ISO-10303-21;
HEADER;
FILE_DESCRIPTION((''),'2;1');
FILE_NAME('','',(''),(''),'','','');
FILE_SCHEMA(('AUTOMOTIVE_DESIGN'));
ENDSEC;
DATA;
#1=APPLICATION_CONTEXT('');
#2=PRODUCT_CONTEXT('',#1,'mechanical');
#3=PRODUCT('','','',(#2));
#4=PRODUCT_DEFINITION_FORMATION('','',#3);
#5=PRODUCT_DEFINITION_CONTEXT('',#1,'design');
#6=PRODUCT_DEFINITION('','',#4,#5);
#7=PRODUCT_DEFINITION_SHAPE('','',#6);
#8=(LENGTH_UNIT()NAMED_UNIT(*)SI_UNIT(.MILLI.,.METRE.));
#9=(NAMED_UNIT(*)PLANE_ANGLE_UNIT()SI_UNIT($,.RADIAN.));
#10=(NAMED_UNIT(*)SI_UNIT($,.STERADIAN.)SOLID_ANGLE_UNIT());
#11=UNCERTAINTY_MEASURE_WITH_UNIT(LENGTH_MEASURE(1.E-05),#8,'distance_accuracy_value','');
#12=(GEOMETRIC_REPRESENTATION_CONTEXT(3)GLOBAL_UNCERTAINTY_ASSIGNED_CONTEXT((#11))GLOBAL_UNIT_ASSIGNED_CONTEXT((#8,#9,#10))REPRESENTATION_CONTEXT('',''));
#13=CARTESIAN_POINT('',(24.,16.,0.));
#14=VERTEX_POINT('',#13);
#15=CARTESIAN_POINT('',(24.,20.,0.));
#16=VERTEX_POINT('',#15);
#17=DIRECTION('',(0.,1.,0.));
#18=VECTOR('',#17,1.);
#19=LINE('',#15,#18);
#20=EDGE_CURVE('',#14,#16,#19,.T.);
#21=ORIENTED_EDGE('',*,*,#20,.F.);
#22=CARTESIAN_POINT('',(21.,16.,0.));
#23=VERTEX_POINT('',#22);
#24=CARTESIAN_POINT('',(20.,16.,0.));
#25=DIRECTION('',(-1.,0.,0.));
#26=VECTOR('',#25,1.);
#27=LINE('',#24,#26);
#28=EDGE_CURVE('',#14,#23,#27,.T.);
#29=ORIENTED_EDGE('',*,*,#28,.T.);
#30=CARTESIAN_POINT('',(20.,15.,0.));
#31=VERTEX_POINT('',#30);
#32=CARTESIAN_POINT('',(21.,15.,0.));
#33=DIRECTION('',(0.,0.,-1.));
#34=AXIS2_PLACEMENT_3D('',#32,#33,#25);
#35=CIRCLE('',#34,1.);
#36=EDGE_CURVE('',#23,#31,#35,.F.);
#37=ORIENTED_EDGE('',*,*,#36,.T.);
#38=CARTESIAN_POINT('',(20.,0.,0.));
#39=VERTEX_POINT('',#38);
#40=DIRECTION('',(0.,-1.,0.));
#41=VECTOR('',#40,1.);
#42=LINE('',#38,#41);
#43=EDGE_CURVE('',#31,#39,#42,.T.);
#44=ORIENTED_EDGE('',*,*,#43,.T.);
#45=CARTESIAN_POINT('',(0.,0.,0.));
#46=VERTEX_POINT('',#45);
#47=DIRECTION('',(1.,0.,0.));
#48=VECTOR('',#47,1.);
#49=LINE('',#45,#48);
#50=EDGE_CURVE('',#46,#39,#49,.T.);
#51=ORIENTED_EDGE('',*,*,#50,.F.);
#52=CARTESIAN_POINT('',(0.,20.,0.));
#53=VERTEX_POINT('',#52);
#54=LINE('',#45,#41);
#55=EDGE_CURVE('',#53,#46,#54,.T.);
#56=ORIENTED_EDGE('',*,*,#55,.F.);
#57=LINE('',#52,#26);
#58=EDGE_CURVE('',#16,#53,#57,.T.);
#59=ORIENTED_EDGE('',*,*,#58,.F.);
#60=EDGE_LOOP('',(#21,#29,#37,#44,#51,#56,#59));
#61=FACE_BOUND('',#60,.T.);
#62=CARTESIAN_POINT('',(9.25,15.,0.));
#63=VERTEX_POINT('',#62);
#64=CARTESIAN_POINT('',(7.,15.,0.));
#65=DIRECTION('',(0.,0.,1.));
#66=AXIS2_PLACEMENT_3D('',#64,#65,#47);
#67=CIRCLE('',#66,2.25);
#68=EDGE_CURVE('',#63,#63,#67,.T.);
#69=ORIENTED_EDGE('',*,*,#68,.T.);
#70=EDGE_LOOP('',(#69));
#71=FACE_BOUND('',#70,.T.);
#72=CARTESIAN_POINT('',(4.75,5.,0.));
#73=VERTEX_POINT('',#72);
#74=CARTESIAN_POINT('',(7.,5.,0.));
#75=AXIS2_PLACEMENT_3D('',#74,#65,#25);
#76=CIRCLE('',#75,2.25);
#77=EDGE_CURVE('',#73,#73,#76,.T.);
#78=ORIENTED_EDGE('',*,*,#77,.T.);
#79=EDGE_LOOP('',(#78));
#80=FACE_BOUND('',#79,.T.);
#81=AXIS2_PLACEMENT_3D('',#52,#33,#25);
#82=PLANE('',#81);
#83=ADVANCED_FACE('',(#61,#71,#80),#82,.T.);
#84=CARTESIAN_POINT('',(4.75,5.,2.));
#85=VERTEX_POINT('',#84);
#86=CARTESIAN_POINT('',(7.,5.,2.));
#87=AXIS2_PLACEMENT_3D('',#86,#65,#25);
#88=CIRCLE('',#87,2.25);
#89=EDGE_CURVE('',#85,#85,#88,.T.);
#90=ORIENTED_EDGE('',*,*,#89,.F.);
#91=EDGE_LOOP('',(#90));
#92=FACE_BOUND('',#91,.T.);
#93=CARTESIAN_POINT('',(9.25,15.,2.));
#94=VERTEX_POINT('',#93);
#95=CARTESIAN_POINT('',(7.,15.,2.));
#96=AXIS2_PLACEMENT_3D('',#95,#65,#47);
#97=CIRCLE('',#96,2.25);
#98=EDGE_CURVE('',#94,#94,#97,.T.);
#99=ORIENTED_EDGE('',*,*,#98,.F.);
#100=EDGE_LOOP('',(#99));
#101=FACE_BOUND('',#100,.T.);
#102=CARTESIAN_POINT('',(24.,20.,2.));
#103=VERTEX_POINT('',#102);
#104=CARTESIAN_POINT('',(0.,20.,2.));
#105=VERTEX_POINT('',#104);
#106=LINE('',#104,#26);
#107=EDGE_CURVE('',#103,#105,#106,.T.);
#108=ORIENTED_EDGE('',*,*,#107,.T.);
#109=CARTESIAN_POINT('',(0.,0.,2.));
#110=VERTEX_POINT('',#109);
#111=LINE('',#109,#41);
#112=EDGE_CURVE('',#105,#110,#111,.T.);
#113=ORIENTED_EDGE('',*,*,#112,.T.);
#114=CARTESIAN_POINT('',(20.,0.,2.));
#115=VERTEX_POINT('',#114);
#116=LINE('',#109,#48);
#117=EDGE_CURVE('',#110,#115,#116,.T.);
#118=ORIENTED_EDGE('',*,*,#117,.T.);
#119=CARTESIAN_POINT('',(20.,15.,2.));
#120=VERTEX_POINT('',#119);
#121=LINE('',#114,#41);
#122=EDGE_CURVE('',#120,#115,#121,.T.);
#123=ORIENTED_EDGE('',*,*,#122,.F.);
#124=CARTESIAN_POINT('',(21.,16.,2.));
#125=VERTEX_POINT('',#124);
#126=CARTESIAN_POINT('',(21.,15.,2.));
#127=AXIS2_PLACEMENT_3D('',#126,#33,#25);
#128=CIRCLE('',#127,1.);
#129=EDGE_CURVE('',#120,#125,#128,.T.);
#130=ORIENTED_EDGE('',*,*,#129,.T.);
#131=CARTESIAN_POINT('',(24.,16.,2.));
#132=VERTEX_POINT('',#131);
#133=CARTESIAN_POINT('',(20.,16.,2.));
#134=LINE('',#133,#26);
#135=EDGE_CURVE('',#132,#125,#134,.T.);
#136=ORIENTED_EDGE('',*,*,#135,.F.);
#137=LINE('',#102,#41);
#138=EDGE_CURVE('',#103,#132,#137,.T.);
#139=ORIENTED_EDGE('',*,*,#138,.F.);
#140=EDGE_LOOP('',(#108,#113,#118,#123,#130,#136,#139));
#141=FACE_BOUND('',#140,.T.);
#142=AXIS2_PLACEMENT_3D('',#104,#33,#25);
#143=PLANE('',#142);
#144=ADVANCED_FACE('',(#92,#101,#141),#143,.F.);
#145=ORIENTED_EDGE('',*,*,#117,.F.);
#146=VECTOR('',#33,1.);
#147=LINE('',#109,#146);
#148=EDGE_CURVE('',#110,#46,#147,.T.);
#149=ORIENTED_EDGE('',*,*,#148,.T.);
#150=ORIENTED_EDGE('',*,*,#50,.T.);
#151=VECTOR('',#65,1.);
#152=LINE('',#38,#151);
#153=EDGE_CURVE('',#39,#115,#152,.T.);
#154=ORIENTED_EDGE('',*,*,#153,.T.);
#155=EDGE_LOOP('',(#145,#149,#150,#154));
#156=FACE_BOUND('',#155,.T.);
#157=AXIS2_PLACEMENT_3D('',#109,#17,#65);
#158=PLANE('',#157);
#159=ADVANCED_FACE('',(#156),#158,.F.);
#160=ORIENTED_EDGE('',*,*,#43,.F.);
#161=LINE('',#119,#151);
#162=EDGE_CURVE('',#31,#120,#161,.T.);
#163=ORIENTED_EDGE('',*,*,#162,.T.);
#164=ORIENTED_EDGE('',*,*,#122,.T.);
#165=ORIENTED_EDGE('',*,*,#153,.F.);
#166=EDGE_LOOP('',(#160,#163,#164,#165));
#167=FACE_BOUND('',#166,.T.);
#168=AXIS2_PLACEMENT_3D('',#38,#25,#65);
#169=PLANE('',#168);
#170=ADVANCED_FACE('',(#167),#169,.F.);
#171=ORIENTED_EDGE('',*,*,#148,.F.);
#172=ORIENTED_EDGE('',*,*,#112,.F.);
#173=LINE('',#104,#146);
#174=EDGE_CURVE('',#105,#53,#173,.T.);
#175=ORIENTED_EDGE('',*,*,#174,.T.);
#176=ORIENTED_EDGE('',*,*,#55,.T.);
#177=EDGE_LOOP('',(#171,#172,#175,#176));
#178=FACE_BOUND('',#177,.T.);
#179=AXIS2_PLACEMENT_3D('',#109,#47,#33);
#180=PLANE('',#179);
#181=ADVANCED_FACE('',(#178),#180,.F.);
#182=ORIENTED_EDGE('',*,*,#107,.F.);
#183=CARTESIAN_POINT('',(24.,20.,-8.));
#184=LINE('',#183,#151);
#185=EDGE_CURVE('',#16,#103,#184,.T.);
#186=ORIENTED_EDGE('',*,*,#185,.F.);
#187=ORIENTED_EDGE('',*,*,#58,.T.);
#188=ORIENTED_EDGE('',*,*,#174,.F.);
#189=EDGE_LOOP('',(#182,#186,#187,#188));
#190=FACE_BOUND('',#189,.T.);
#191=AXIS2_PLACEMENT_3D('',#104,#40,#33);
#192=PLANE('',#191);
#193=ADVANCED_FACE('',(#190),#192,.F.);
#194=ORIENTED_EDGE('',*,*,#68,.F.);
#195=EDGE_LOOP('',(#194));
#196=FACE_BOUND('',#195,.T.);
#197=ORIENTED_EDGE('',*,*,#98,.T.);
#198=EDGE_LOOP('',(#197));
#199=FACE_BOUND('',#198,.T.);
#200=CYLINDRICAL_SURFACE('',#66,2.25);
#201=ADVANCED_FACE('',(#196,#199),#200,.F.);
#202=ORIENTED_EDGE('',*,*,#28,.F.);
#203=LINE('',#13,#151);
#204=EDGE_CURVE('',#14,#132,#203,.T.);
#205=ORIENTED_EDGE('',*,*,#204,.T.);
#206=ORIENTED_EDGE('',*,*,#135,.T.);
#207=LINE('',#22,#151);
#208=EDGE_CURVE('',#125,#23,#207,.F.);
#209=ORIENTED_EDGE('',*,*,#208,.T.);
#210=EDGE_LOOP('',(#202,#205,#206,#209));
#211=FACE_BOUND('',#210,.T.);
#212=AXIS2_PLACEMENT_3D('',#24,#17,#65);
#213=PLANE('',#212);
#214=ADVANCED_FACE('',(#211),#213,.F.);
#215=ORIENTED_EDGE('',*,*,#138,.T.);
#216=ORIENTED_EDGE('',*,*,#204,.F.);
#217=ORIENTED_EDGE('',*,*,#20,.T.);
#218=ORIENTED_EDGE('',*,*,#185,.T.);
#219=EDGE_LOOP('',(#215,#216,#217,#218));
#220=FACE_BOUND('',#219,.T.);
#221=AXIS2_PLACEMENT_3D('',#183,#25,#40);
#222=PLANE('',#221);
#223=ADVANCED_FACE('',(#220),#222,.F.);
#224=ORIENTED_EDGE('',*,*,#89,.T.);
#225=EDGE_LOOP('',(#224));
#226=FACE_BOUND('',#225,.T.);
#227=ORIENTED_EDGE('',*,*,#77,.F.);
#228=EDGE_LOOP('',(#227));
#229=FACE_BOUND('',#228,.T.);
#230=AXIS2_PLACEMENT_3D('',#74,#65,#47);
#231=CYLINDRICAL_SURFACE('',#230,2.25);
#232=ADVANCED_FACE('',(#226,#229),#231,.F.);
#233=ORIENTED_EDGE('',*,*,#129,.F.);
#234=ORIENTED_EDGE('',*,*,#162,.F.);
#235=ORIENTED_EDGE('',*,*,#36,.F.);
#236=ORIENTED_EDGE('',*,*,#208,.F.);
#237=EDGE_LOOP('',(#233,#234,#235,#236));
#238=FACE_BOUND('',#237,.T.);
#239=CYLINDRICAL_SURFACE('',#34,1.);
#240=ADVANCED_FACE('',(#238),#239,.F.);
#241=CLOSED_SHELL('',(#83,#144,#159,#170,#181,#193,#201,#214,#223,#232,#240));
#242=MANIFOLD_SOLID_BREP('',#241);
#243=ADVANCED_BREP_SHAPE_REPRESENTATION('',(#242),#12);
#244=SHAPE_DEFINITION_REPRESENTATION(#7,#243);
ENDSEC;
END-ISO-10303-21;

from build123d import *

# Parameters (mm, degrees)
SKETCH_1_W          = 60
SKETCH_1_H          = 20
EXTRUDE_1_DEPTH     = 2
SKETCH_2_W          = 20
SKETCH_2_H          = 16
CUT_EXTRUDE_1_DEPTH = 64.277168078
FILLET_1_R          = 1
SKETCH_3_R          = 2.25
CUT_EXTRUDE_2_DEPTH = 64.277168078
SKETCH_4_W          = 36
SKETCH_4_H          = 20
CUT_EXTRUDE_3_DEPTH = 10


with BuildPart() as part:
    # 草图1 → 凸台-拉伸1 (new body)
    with BuildSketch(Plane.XY):
        with Locations((30, 10)):
            Rectangle(SKETCH_1_W, SKETCH_1_H)
    extrude(amount=EXTRUDE_1_DEPTH)

    # 草图2 → 切除-拉伸1 (cut, through all)
    with BuildSketch(Plane.XY.offset(2)):
        with Locations((30, 8)):
            Rectangle(SKETCH_2_W, SKETCH_2_H)
    extrude(amount=-CUT_EXTRUDE_1_DEPTH, mode=Mode.SUBTRACT)

    # 圆角1
    fillet_1_edges = [part.edges().sort_by_distance(p)[0] for p in [
        (20, 16, 1),
        (40, 16, 1),
    ]]
    fillet(fillet_1_edges, radius=FILLET_1_R)

    # 草图3 → 切除-拉伸2 (cut, through all)
    with BuildSketch(Plane.XY.offset(2)):
        with Locations((7, 15)):
            Circle(SKETCH_3_R)
        with Locations(Location((53, 15, 0), (0, 0, 180))):
            Circle(SKETCH_3_R)
        with Locations((53, 5)):
            Circle(SKETCH_3_R)
        with Locations(Location((7, 5, 0), (0, 0, 180))):
            Circle(SKETCH_3_R)
    extrude(amount=-CUT_EXTRUDE_2_DEPTH, mode=Mode.SUBTRACT)

    # 草图4 → 切除-拉伸3 (cut)
    with BuildSketch(Plane.XY.offset(2)):
        with Locations((42, 10)):
            Rectangle(SKETCH_4_W, SKETCH_4_H)
    extrude(amount=-CUT_EXTRUDE_3_DEPTH, mode=Mode.SUBTRACT)


solid = part.part
